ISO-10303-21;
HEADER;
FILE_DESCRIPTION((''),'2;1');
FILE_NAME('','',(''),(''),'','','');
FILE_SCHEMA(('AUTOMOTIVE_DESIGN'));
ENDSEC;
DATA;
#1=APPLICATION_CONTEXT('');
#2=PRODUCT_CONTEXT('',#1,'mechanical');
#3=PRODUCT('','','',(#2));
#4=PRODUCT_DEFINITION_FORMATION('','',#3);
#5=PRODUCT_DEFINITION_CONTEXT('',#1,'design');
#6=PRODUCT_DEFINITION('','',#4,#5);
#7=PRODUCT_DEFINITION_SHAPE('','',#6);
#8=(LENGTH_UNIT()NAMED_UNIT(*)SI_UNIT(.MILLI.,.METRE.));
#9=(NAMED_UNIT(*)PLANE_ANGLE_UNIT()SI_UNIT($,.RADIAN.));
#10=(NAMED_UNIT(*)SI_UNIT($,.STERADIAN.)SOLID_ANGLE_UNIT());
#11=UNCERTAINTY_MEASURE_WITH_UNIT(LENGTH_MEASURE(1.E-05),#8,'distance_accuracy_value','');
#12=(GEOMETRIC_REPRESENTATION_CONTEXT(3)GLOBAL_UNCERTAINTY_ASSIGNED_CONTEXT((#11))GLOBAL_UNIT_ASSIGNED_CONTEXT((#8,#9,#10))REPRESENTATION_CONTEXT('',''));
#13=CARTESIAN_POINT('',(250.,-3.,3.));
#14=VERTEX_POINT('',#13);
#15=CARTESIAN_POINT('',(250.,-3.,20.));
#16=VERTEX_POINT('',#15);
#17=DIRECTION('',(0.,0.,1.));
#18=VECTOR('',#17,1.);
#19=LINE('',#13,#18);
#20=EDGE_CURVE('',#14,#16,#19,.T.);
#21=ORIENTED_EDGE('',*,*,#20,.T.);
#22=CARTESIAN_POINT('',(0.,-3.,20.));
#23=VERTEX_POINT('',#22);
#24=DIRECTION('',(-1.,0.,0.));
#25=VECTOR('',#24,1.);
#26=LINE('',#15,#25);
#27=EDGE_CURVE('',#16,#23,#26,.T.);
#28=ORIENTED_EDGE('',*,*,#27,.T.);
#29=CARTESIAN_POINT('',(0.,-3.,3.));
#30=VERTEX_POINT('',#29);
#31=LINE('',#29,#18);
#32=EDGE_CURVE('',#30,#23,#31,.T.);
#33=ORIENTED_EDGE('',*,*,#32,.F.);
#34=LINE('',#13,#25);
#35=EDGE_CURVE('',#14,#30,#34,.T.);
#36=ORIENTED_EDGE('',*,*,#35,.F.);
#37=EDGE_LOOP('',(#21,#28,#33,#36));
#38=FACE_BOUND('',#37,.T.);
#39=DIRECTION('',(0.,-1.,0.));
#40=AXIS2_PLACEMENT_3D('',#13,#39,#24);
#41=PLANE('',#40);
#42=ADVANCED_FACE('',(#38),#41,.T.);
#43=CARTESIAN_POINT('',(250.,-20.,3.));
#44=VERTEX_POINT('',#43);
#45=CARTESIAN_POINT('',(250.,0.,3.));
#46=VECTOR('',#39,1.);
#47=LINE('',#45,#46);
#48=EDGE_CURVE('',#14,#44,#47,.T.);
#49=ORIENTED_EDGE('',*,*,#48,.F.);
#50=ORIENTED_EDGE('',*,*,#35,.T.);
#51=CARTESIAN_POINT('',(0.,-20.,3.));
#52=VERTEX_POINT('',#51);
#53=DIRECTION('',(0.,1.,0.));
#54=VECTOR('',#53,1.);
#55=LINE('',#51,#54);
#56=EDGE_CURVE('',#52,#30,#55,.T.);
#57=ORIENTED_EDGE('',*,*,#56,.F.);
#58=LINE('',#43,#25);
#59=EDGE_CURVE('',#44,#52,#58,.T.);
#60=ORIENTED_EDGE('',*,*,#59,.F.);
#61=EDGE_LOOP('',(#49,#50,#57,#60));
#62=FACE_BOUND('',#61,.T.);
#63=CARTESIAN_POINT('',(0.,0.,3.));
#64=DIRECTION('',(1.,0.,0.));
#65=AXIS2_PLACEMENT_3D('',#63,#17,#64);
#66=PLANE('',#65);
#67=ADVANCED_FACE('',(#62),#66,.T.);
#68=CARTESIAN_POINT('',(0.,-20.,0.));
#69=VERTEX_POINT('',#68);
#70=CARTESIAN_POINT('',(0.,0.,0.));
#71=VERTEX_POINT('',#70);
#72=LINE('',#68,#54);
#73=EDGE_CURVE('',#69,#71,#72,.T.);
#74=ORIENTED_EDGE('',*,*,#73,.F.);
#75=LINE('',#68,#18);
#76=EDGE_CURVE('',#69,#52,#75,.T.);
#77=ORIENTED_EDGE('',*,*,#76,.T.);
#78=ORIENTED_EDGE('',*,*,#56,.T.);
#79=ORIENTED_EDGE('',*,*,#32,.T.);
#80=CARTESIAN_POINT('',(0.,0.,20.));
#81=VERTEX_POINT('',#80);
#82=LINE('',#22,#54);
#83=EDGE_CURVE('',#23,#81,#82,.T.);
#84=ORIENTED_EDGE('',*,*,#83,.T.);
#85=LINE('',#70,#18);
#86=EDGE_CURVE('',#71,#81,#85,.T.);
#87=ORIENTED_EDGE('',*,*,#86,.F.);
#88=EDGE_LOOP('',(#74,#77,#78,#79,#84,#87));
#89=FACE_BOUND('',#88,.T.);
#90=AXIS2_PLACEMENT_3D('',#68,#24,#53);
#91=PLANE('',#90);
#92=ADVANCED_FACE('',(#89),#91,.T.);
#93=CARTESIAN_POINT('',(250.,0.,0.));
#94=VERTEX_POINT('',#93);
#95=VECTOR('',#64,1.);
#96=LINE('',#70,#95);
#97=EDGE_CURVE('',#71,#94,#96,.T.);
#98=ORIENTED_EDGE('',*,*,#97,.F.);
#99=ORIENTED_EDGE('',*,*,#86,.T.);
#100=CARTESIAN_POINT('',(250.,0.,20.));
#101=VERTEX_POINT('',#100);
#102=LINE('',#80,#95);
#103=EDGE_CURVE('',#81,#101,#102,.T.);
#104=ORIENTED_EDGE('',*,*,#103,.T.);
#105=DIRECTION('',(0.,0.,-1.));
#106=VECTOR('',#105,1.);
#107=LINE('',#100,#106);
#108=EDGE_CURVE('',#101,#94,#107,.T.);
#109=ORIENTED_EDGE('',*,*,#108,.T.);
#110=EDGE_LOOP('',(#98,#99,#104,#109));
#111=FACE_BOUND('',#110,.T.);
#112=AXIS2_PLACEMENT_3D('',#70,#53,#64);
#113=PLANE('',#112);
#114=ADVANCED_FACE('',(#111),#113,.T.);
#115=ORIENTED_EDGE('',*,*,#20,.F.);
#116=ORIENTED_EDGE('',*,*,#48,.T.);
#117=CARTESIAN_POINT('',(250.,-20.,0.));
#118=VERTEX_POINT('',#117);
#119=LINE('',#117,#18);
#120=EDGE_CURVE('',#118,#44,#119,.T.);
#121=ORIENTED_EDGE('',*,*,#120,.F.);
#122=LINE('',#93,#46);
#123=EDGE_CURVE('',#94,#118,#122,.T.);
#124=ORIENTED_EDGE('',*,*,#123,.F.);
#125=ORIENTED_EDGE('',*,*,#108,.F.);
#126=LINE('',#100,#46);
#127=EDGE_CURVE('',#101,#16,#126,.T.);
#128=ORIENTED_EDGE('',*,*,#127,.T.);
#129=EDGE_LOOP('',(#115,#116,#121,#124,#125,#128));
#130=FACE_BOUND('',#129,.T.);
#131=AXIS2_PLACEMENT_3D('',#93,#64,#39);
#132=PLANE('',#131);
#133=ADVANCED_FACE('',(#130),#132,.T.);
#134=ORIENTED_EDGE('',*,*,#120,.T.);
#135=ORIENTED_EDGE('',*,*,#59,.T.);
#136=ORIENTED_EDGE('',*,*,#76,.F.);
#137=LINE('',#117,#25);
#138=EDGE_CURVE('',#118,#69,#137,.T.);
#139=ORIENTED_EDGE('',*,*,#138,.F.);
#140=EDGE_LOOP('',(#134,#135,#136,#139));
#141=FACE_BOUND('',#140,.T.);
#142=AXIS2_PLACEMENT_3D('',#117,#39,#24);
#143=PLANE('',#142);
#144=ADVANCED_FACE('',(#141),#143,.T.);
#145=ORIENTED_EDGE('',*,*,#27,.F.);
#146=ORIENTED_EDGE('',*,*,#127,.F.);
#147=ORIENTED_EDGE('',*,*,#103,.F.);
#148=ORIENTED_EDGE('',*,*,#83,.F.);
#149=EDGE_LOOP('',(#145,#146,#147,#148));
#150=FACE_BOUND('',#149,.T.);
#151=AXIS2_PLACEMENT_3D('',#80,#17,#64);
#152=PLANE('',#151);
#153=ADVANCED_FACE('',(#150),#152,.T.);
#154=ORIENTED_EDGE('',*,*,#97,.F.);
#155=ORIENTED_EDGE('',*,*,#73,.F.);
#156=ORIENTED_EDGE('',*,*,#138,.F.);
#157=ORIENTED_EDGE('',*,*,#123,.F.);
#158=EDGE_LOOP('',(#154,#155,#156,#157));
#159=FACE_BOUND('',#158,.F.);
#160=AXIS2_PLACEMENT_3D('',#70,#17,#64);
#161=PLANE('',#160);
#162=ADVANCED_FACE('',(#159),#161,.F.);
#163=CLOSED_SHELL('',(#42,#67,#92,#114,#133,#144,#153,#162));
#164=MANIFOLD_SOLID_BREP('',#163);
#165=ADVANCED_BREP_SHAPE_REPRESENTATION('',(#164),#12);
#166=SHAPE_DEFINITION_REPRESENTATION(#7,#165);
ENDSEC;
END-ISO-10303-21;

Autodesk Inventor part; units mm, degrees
ref_plane "YZ Plane" through (0, 0, 0) normal (1, 0, 0) x (0, 1, 0)
ref_plane "XZ Plane" through (0, 0, 0) normal (0, 1, 0) x (-1, 0, 0)
ref_plane "XY Plane" through (0, 0, 0) normal (0, 0, 1) x (1, 0, 0)
sketch "Náčrt1" plane through (0, 0, 0) normal (0, 0, 1) x (1, 0, 0)
  line L0 (0, 0) -> (250, 0)
  line L1 (250, 0) -> (250, -20)
  line L2 (250, -20) -> (0, -20)
  line L3 (0, -20) -> (0, 0)
extrude "Vysunutí1" add sketch "Náčrt1" along normal blind 3
sketch "Náčrt2" plane through (0, 0, 3) normal (0, 0, 1) x (1, 0, 0)
  line L0 (0, 0) -> (250, 0)
  line L1 (250, 0) -> (250, -3)
  line L2 (250, -3) -> (0, -3)
  line L3 (0, -3) -> (0, 0)
extrude "Vysunutí2" add sketch "Náčrt2" along normal blind 17
properties part number "Úhelník" material "ABS plast"
